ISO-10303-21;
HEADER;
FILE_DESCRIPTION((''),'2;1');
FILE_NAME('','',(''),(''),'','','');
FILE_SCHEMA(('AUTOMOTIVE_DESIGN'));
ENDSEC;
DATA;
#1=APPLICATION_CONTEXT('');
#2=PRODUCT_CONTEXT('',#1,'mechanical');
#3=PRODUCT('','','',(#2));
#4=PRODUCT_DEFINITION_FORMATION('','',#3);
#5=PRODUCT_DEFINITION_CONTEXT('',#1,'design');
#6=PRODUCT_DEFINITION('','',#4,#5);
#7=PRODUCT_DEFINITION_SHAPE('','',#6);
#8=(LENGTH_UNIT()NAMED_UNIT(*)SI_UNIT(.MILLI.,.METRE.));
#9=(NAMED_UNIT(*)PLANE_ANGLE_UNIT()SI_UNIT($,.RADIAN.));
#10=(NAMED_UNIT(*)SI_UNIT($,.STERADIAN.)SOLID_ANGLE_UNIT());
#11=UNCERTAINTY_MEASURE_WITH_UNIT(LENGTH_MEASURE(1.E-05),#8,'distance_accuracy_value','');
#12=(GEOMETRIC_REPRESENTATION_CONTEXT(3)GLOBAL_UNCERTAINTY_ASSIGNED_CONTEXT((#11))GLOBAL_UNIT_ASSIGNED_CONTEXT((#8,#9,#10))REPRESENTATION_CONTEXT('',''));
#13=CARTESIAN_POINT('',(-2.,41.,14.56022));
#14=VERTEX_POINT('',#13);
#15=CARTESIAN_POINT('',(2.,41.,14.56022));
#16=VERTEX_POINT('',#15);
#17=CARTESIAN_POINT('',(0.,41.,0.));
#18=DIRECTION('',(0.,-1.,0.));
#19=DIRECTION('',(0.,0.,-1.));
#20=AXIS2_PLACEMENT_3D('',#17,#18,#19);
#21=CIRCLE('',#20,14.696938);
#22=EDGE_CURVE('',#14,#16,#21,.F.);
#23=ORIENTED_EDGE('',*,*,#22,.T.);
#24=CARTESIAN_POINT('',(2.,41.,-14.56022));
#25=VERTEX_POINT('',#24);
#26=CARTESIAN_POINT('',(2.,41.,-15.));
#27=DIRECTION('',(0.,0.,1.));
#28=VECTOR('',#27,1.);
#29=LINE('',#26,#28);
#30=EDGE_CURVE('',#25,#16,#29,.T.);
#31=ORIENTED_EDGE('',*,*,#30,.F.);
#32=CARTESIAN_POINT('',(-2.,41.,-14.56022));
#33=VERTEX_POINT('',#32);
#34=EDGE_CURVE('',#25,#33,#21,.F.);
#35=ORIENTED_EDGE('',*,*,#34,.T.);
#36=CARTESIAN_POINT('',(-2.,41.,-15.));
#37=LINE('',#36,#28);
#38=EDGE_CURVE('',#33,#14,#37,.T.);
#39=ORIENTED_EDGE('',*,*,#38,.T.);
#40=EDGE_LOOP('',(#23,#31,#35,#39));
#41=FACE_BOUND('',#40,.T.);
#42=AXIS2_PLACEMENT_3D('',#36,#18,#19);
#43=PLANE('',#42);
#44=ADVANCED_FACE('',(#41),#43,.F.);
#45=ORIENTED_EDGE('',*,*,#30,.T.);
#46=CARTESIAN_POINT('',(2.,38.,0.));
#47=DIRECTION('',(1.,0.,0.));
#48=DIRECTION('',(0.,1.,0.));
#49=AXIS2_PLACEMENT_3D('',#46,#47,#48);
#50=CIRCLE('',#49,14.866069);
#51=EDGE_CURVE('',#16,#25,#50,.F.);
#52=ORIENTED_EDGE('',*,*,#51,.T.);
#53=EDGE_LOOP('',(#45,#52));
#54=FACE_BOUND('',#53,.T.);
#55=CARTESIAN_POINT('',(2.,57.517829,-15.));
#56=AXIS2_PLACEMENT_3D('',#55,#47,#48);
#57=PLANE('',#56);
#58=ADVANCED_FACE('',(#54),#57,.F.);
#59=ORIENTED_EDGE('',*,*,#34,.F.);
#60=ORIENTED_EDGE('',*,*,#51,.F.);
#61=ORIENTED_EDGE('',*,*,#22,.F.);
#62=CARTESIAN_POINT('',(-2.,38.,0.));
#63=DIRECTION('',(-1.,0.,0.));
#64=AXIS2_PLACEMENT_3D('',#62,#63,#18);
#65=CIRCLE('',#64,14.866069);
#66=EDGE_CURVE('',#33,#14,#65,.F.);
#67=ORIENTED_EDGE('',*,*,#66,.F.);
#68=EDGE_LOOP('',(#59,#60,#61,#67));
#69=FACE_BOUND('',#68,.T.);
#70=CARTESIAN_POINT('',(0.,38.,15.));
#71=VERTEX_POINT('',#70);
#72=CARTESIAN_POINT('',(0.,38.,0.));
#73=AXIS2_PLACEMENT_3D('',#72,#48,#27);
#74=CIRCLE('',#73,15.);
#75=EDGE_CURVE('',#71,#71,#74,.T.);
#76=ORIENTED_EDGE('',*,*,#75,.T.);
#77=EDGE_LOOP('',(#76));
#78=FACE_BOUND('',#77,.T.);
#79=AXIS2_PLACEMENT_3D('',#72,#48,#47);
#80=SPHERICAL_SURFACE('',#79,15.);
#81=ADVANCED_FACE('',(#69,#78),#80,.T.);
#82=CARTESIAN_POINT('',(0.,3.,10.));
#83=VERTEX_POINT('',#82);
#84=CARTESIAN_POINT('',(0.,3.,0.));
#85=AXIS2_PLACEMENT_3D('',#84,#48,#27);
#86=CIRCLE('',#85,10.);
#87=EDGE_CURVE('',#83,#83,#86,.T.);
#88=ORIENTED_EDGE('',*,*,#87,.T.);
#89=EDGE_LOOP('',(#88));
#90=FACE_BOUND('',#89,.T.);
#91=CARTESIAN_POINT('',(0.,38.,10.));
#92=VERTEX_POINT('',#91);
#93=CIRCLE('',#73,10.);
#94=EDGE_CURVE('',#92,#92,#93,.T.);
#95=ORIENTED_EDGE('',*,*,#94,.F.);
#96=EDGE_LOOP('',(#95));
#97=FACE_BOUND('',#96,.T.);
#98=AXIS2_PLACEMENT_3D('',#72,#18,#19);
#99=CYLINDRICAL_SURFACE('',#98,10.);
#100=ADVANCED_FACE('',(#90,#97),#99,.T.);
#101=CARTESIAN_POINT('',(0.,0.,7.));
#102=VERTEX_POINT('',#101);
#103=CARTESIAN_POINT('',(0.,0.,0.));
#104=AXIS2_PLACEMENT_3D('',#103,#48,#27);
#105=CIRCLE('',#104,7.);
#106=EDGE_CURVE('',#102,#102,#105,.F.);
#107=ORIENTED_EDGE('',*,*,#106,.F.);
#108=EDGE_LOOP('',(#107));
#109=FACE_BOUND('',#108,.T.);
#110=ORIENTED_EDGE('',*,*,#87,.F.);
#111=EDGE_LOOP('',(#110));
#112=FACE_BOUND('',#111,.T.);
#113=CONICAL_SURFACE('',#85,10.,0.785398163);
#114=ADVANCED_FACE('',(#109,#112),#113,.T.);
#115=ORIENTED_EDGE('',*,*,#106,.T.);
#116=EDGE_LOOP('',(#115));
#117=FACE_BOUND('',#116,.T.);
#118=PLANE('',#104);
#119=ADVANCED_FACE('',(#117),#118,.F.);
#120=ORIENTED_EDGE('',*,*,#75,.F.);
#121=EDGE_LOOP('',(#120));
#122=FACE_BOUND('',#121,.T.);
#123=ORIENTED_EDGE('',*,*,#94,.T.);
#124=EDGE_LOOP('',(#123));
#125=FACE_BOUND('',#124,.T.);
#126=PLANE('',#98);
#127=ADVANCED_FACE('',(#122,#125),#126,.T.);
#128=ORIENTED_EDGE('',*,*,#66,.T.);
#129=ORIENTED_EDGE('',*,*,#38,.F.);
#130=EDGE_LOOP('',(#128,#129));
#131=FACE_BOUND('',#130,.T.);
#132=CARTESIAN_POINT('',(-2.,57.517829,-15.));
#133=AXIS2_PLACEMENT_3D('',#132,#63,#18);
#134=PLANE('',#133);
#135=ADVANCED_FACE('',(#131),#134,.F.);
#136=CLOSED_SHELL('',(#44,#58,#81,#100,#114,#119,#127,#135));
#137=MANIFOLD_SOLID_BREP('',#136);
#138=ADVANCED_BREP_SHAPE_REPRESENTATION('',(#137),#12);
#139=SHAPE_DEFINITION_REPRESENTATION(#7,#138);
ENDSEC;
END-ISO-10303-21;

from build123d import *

# Parameters (mm, degrees)
SKETCH2_R               = 10
BOSS_EXTRUDE1_DEPTH     = 38
SKETCH4_W               = 4
SKETCH4_H               = 16.517828645
CUT_EXTRUDE1_DEPTH      = 16
CUT_EXTRUDE1_DEPTH_BACK = 16
CHAMFER1_SIZE           = 3


with BuildPart() as part:
    # Sketch2 → Boss-Extrude1 (new body)
    with BuildSketch(Plane(origin=(0, 0, 0), x_dir=(1, 0, 0), z_dir=(0, 1, 0))):
        Circle(SKETCH2_R)
    extrude(amount=BOSS_EXTRUDE1_DEPTH)

    # Sketch3 → Revolve2 (revolve)
    with BuildSketch(Plane.XY):
        with BuildLine():
            Line((0, 53), (0, 38))
            Line((0, 38), (-15, 38))
            ThreePointArc((-15, 38), (-10.606601718, 48.606601718), (0, 53))
        make_face()
    revolve(axis=Axis((0, 67.240353694, 0), (0, -1, 0)))

    # Sketch4 → Cut-Extrude1 (cut, two sides)
    with BuildSketch(Plane.XY) as cut_extrude1_sk:
        with Locations((0, 49.258914323)):
            Rectangle(SKETCH4_W, SKETCH4_H)
    extrude(amount=CUT_EXTRUDE1_DEPTH, mode=Mode.SUBTRACT)
    extrude(cut_extrude1_sk.sketch, amount=-CUT_EXTRUDE1_DEPTH_BACK, mode=Mode.SUBTRACT)

    # Chamfer1
    chamfer1_edges = [part.edges().sort_by_distance(p)[0] for p in [
        (-10, 0, 0),
    ]]
    chamfer(chamfer1_edges, length=CHAMFER1_SIZE)


solid = part.part
